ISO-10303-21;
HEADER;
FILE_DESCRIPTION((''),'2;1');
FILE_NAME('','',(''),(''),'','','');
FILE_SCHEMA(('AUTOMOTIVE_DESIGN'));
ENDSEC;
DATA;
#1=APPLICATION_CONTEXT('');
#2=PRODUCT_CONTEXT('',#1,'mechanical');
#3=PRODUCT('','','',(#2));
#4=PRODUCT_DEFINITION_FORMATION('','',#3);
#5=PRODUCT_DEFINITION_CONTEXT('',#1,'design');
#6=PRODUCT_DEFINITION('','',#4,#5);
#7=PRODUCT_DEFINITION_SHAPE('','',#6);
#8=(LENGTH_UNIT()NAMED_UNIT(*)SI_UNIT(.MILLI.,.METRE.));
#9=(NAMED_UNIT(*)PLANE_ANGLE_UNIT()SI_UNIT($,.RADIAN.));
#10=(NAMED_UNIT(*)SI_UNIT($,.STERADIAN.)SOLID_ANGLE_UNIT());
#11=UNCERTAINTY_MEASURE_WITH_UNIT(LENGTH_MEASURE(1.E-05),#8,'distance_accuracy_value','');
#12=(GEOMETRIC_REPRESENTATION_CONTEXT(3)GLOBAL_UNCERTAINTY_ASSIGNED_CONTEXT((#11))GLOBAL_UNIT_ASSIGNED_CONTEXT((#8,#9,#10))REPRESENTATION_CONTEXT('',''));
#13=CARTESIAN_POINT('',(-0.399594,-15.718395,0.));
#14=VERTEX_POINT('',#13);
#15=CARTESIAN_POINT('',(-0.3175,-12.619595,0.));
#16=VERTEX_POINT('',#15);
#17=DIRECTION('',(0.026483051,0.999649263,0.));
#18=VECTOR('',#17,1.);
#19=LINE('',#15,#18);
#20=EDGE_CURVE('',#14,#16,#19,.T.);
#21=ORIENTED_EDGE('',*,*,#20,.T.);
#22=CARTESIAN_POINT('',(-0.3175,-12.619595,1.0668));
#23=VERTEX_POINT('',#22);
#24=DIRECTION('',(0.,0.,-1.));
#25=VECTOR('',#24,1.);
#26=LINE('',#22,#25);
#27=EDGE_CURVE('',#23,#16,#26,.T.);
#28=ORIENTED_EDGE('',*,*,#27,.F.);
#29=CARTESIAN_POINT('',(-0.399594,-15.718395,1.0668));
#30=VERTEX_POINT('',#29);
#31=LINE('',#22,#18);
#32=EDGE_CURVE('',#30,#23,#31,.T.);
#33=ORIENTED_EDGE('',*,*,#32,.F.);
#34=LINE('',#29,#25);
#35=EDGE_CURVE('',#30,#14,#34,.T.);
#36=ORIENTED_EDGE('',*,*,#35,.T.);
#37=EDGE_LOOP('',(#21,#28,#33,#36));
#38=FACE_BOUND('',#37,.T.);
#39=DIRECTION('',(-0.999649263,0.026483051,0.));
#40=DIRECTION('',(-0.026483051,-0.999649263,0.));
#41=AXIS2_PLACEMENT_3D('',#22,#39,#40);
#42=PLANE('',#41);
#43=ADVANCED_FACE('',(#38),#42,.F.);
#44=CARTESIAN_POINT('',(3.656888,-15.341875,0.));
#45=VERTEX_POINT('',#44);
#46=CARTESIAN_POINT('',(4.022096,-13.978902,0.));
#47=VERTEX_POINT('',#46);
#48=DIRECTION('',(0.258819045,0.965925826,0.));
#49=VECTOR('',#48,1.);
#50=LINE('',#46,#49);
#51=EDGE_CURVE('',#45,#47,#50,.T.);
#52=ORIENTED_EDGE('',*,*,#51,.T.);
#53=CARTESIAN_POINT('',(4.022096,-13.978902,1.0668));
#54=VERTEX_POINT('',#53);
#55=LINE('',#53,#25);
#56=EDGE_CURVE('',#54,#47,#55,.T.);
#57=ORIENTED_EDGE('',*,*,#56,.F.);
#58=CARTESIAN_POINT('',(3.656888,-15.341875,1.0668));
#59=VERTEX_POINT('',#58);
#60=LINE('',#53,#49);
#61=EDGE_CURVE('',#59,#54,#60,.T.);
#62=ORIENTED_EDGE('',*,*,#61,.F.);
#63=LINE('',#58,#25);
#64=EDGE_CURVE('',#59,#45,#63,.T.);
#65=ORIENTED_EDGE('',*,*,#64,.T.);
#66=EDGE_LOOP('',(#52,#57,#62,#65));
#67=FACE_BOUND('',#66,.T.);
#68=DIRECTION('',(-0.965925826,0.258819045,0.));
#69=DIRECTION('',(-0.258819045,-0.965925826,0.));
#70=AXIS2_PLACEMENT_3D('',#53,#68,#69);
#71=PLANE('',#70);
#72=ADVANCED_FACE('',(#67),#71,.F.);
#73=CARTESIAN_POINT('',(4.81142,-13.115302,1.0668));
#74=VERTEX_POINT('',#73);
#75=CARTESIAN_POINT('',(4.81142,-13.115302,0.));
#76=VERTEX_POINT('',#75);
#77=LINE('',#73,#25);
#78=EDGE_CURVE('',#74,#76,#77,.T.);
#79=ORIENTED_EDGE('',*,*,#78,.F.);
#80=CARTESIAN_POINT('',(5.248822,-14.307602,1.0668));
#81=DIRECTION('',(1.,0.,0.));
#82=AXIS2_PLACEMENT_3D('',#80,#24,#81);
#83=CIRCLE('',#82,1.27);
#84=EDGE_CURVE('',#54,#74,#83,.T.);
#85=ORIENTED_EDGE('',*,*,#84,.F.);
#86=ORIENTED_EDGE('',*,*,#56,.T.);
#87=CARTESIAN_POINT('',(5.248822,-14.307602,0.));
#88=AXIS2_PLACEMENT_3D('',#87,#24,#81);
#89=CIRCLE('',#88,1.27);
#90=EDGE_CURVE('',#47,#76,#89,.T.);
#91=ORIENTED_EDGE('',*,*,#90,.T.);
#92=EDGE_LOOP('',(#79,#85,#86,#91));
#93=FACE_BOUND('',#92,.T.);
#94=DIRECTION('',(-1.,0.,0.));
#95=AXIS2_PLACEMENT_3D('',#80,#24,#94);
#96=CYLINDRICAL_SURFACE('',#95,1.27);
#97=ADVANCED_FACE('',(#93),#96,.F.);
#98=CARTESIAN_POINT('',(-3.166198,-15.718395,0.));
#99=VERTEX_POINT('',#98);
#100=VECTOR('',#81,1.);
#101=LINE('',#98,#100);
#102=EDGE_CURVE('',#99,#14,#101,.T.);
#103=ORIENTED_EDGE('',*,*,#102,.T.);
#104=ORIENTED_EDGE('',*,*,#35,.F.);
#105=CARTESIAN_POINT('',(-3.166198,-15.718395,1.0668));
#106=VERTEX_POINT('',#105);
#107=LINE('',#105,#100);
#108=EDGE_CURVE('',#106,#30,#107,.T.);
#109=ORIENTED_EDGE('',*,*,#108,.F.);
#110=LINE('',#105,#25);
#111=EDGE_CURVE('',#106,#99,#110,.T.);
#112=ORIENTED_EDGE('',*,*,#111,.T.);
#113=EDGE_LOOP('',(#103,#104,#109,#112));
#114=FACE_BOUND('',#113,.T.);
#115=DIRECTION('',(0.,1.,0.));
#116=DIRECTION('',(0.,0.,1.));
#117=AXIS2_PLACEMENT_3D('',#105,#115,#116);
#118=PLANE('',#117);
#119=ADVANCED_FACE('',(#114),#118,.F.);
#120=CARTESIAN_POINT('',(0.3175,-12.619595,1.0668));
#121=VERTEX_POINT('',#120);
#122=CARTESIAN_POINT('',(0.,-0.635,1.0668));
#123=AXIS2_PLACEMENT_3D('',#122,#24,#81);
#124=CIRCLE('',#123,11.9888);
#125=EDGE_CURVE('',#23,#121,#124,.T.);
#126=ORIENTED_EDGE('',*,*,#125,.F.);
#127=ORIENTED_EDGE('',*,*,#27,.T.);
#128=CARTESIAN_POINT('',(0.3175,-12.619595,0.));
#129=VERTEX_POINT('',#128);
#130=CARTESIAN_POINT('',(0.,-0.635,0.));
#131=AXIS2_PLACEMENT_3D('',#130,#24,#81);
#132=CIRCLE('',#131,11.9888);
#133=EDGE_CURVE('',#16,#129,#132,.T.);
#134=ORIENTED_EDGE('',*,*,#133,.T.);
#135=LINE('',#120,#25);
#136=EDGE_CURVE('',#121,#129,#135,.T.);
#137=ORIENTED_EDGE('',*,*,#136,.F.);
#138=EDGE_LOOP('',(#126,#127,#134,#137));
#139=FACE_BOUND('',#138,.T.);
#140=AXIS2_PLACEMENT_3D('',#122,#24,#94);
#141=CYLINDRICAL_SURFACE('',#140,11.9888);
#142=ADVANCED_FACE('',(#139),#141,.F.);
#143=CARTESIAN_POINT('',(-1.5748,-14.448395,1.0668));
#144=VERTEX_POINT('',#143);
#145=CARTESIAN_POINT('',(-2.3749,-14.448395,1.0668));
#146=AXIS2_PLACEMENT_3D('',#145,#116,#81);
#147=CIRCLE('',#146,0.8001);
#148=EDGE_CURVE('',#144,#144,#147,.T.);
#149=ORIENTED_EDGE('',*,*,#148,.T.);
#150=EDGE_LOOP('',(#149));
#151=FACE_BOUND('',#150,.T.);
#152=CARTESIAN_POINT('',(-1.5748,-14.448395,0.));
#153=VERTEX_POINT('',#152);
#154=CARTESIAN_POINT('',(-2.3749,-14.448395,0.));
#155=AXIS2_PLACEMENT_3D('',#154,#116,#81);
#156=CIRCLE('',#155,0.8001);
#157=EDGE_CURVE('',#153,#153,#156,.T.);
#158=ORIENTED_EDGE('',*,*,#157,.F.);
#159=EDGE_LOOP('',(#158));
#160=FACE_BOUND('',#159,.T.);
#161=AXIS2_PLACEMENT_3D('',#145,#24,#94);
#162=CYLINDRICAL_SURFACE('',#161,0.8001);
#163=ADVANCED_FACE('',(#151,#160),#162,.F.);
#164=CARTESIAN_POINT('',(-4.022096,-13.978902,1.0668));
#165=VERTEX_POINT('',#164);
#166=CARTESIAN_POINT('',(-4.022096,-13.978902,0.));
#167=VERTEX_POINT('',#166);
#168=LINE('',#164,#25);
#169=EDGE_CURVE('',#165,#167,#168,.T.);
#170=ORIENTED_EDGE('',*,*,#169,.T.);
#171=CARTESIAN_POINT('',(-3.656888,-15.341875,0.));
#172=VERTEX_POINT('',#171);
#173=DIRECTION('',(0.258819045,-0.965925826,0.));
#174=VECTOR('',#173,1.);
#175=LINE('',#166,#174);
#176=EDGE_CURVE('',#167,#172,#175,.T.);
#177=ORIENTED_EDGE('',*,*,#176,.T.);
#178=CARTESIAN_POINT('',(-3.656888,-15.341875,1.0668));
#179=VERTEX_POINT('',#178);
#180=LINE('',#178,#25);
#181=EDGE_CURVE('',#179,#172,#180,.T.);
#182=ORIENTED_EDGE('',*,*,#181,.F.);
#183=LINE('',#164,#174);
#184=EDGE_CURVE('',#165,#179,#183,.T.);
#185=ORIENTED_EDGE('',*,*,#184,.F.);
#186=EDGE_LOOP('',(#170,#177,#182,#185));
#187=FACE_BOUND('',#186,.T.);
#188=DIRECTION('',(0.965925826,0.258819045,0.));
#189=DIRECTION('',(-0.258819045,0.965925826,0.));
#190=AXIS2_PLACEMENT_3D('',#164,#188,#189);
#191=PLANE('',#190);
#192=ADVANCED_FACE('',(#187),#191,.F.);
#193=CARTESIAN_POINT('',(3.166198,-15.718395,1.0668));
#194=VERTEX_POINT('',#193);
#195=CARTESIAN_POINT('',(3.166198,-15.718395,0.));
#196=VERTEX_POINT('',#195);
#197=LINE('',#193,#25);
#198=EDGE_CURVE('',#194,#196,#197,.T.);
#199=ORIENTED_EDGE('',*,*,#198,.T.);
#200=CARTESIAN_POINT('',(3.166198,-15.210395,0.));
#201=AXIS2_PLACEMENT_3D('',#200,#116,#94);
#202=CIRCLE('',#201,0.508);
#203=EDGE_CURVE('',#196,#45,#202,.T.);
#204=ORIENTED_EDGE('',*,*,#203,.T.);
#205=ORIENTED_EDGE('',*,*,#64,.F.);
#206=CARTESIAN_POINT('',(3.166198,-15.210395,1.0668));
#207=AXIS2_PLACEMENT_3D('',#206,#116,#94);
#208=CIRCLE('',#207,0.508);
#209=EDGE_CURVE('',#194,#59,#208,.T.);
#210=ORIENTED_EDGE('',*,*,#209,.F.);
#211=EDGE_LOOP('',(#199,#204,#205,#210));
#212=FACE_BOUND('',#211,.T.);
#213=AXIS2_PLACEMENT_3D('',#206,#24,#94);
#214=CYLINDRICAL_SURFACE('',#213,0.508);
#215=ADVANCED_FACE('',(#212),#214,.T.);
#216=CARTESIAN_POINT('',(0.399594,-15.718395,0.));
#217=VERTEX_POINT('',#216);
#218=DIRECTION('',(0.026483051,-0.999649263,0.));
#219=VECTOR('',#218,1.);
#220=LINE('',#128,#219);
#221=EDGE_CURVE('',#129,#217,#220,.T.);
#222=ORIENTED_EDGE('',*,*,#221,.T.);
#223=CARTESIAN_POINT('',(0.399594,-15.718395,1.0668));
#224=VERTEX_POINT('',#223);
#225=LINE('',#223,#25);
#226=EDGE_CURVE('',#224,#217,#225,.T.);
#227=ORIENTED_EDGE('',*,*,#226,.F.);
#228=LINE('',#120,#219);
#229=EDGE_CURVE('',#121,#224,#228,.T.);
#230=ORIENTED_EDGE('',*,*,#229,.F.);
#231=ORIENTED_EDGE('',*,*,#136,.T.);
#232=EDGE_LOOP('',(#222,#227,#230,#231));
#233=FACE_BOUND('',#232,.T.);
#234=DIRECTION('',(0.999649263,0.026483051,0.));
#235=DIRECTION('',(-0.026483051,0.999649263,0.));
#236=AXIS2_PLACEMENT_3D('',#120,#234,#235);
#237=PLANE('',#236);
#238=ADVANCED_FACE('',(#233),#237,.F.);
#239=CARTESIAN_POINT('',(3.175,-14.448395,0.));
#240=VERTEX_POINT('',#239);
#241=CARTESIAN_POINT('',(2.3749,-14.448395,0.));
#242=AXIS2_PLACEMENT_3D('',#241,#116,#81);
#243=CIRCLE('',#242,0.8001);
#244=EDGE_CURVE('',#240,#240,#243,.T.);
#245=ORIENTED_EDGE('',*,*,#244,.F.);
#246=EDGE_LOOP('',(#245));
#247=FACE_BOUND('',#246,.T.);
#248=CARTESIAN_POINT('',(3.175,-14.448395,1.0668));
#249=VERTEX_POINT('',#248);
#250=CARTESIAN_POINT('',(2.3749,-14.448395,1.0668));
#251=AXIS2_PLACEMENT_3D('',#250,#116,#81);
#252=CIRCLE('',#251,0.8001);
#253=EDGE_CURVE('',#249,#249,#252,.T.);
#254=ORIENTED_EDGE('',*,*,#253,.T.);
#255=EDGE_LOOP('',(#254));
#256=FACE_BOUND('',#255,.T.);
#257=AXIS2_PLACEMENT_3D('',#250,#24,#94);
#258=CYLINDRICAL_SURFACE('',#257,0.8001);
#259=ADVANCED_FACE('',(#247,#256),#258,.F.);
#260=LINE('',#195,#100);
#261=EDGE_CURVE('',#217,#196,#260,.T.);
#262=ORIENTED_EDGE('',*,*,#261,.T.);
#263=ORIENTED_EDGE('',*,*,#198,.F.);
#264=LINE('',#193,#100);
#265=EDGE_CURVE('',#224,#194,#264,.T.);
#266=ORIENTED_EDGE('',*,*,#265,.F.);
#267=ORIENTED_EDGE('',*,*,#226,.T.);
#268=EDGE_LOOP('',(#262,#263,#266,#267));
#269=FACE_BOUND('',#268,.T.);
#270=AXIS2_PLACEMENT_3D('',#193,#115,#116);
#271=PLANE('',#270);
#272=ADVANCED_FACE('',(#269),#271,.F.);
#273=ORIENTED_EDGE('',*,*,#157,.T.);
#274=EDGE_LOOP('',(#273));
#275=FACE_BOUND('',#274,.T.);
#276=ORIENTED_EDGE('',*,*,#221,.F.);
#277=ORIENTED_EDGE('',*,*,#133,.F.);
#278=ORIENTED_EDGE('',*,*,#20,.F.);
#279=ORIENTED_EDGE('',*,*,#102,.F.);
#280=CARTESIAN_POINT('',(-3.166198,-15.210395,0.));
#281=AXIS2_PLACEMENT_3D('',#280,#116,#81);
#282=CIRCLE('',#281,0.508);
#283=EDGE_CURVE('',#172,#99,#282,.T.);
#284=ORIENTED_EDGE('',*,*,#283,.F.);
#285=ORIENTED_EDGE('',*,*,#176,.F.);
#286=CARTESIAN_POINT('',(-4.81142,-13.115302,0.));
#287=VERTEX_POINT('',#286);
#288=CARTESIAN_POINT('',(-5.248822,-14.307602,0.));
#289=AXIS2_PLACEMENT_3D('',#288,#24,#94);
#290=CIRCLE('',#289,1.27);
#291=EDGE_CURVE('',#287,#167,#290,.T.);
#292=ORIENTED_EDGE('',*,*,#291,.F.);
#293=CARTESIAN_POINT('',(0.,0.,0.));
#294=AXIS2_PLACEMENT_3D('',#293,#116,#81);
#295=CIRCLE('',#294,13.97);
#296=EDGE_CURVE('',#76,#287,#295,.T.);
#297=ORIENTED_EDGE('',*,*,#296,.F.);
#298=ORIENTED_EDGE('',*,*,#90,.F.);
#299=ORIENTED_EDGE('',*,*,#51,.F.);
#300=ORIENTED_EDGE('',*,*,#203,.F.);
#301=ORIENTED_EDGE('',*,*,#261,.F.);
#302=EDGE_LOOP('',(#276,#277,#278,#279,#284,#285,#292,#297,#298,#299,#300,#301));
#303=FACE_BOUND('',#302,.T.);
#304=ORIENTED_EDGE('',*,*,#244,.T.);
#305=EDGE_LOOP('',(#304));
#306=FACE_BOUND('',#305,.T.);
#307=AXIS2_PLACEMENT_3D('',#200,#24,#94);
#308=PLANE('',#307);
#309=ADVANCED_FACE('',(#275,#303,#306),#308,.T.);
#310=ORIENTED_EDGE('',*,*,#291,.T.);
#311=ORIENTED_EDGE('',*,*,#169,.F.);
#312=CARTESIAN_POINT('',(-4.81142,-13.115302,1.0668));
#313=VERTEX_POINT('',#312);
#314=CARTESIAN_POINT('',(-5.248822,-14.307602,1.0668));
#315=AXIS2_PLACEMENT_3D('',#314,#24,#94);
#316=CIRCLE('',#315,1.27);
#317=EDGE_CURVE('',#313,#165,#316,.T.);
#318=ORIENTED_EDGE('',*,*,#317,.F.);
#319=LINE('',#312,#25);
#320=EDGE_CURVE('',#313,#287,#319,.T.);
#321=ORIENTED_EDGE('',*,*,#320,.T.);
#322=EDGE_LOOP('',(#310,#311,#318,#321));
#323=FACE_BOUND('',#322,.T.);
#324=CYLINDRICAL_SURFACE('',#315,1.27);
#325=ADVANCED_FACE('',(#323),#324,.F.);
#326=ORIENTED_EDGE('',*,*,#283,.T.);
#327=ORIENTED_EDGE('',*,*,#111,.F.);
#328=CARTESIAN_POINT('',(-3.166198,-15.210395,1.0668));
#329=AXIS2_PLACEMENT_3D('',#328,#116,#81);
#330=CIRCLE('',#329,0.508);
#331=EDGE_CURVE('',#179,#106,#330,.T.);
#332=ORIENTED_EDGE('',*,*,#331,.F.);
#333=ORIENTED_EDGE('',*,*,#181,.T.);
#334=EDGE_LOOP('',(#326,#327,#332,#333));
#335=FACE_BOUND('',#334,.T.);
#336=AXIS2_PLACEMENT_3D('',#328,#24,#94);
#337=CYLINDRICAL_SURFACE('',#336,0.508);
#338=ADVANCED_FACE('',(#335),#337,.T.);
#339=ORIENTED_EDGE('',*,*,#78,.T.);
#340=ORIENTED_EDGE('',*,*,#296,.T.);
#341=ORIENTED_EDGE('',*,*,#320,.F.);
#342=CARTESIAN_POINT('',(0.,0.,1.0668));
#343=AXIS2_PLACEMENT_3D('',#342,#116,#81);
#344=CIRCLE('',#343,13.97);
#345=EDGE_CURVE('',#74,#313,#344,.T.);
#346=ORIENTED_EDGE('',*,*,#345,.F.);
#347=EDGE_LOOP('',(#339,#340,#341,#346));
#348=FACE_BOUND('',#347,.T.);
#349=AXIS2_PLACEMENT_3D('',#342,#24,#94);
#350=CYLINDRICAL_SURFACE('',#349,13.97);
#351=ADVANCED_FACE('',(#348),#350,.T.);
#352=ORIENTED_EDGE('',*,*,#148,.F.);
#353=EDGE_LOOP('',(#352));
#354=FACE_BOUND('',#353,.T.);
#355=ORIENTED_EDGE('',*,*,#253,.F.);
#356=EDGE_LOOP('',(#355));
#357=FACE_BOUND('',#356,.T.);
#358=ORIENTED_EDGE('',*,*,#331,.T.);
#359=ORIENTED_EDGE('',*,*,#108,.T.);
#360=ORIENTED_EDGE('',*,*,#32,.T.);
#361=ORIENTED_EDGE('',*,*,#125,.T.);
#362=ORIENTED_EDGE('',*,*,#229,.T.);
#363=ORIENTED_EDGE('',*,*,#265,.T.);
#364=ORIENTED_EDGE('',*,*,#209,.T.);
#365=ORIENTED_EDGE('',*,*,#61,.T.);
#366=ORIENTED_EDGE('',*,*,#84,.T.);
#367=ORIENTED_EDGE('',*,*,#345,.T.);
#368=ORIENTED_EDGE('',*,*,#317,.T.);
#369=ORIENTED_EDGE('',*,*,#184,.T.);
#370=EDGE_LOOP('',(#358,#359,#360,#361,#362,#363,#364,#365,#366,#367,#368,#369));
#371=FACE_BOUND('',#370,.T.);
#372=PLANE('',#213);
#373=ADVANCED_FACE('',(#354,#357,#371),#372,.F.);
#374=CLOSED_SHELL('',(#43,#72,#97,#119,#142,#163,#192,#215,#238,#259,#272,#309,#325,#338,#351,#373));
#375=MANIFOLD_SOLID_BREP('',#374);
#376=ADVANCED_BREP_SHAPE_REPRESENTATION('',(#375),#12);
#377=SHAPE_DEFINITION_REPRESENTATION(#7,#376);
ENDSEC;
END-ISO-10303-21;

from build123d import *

# Parameters (mm, degrees)
SKETCH1_R           = 0.8001
BOSS_EXTRUDE1_DEPTH = 1.0668


with BuildPart() as part:
    # Sketch1 → Boss-Extrude1 (new body)
    with BuildSketch(Plane.XY):
        with BuildLine():
            Line((3.16619789, -15.718395078), (0.399594472, -15.718395078))
            Line((0.399594472, -15.718395078), (0.3175, -12.619595078))
            ThreePointArc((0.3175, -12.619595078), (0, 11.3538), (-0.3175, -12.619595078))
            Line((-0.3175, -12.619595078), (-0.399594472, -15.718395078))
            Line((-0.399594472, -15.718395078), (-3.16619789, -15.718395078))
            ThreePointArc((-3.16619789, -15.718395078), (-3.475448696, -15.613418575), (-3.65688821, -15.341875153))
            Line((-3.65688821, -15.341875153), (-4.02209585, -13.978901683))
            ThreePointArc((-4.02209585, -13.978901683), (-4.311388241, -13.450794656), (-4.811419846, -13.115301715))
            ThreePointArc((-4.811419846, -13.115301715), (0, 13.97), (4.811419846, -13.115301715))
            ThreePointArc((4.811419846, -13.115301715), (4.311388241, -13.450794656), (4.02209585, -13.978901683))
            Line((4.02209585, -13.978901683), (3.65688821, -15.341875153))
            ThreePointArc((3.65688821, -15.341875153), (3.475448696, -15.613418575), (3.16619789, -15.718395078))
        make_face()
        with Locations((-2.3749, -14.448395078)):
            Circle(SKETCH1_R, mode=Mode.SUBTRACT)
        with Locations((2.3749, -14.448395078)):
            Circle(SKETCH1_R, mode=Mode.SUBTRACT)
    extrude(amount=BOSS_EXTRUDE1_DEPTH)


solid = part.part
